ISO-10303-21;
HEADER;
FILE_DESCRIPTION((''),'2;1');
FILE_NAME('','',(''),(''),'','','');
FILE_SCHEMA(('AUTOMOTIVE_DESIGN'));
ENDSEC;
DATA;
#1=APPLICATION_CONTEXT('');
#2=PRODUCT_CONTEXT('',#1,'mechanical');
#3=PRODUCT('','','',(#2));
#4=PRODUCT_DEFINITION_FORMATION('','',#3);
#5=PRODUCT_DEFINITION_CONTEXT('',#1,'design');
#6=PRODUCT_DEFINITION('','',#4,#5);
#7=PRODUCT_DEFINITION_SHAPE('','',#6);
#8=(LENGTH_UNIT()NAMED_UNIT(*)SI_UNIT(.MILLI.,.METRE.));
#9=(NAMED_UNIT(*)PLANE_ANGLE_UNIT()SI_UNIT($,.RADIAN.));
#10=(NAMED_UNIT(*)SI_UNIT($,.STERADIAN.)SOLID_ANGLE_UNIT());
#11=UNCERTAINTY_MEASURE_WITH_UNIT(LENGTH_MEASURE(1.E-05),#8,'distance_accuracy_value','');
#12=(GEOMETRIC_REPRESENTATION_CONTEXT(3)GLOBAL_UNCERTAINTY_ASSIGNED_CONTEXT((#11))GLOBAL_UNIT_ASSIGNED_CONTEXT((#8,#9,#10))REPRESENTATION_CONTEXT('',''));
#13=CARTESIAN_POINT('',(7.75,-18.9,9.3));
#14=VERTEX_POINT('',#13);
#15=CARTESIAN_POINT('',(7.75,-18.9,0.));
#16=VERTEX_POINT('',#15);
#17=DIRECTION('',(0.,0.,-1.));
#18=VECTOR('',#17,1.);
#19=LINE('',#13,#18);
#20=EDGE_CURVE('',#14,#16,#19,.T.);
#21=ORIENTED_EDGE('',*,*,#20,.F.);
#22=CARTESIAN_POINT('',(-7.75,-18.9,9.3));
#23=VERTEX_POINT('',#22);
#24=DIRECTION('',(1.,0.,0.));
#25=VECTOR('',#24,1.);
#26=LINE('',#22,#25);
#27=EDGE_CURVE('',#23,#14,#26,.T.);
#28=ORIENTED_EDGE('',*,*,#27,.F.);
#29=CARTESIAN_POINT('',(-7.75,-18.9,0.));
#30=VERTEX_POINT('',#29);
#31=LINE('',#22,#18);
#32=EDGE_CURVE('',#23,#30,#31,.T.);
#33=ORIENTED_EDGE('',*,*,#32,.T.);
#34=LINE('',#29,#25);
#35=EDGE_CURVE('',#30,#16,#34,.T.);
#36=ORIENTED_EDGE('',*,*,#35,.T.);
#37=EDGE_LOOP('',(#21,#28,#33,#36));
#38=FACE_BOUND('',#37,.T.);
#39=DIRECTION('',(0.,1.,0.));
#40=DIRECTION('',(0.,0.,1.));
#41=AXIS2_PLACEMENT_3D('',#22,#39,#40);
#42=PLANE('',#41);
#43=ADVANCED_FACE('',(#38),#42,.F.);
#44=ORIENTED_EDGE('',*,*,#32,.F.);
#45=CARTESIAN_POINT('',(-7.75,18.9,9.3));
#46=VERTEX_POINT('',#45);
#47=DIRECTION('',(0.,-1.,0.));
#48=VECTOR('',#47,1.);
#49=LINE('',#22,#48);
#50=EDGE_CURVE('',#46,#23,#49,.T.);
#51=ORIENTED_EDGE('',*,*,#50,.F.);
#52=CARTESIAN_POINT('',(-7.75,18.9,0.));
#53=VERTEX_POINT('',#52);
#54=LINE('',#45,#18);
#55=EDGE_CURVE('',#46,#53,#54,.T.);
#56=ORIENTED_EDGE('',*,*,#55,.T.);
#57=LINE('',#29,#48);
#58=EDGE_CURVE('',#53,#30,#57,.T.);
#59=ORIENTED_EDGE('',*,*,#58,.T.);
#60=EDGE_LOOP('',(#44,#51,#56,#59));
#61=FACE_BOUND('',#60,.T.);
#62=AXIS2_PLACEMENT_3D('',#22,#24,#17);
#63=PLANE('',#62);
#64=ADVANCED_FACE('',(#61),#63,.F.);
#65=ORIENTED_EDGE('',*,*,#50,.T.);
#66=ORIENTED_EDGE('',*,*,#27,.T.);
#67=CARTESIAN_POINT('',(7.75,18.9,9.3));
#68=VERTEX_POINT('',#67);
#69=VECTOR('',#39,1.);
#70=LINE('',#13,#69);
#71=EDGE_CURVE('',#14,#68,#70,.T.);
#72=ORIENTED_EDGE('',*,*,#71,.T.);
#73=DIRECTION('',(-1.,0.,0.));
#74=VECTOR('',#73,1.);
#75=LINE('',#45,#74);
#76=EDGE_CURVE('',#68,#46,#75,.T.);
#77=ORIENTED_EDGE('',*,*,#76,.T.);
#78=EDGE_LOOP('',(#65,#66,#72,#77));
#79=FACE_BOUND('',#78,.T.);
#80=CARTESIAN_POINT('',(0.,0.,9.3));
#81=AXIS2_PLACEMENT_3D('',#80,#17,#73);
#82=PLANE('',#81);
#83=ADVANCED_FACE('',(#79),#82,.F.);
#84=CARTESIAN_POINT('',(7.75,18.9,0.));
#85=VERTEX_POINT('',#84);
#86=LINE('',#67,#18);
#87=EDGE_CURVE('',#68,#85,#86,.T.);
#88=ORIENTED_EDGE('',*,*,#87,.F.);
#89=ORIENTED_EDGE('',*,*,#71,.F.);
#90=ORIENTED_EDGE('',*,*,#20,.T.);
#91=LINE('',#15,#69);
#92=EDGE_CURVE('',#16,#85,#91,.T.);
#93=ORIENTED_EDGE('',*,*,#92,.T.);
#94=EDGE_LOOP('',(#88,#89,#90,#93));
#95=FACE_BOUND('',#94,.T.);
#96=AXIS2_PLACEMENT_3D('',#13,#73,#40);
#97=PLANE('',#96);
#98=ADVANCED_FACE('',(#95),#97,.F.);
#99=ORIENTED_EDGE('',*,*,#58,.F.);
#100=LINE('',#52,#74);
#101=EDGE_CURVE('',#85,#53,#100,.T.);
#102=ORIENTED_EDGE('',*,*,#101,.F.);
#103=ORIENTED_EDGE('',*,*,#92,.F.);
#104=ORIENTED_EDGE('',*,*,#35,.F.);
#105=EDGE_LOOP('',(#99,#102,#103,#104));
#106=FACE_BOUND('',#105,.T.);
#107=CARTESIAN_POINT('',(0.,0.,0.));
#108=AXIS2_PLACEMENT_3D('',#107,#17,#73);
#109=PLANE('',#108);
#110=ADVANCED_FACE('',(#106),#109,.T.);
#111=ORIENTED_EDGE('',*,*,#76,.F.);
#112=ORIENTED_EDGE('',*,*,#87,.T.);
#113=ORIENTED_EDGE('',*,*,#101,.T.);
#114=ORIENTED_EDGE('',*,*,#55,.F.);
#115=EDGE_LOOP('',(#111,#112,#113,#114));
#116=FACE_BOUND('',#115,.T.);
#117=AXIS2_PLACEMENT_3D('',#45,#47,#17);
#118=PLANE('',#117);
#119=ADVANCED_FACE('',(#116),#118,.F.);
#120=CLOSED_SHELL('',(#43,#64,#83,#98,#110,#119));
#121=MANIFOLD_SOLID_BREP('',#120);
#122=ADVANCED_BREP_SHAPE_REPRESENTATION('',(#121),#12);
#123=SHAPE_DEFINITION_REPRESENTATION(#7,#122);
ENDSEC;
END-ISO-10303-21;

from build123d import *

# Parameters (mm, degrees)
SKETCH1_W      = 15.5
SKETCH1_H      = 37.8
ENVELOPE_DEPTH = 9.3


with BuildPart() as part:
    # Sketch1 → Envelope (new body)
    with BuildSketch(Plane.XY):
        Rectangle(SKETCH1_W, SKETCH1_H)
    extrude(amount=ENVELOPE_DEPTH)


solid = part.part
